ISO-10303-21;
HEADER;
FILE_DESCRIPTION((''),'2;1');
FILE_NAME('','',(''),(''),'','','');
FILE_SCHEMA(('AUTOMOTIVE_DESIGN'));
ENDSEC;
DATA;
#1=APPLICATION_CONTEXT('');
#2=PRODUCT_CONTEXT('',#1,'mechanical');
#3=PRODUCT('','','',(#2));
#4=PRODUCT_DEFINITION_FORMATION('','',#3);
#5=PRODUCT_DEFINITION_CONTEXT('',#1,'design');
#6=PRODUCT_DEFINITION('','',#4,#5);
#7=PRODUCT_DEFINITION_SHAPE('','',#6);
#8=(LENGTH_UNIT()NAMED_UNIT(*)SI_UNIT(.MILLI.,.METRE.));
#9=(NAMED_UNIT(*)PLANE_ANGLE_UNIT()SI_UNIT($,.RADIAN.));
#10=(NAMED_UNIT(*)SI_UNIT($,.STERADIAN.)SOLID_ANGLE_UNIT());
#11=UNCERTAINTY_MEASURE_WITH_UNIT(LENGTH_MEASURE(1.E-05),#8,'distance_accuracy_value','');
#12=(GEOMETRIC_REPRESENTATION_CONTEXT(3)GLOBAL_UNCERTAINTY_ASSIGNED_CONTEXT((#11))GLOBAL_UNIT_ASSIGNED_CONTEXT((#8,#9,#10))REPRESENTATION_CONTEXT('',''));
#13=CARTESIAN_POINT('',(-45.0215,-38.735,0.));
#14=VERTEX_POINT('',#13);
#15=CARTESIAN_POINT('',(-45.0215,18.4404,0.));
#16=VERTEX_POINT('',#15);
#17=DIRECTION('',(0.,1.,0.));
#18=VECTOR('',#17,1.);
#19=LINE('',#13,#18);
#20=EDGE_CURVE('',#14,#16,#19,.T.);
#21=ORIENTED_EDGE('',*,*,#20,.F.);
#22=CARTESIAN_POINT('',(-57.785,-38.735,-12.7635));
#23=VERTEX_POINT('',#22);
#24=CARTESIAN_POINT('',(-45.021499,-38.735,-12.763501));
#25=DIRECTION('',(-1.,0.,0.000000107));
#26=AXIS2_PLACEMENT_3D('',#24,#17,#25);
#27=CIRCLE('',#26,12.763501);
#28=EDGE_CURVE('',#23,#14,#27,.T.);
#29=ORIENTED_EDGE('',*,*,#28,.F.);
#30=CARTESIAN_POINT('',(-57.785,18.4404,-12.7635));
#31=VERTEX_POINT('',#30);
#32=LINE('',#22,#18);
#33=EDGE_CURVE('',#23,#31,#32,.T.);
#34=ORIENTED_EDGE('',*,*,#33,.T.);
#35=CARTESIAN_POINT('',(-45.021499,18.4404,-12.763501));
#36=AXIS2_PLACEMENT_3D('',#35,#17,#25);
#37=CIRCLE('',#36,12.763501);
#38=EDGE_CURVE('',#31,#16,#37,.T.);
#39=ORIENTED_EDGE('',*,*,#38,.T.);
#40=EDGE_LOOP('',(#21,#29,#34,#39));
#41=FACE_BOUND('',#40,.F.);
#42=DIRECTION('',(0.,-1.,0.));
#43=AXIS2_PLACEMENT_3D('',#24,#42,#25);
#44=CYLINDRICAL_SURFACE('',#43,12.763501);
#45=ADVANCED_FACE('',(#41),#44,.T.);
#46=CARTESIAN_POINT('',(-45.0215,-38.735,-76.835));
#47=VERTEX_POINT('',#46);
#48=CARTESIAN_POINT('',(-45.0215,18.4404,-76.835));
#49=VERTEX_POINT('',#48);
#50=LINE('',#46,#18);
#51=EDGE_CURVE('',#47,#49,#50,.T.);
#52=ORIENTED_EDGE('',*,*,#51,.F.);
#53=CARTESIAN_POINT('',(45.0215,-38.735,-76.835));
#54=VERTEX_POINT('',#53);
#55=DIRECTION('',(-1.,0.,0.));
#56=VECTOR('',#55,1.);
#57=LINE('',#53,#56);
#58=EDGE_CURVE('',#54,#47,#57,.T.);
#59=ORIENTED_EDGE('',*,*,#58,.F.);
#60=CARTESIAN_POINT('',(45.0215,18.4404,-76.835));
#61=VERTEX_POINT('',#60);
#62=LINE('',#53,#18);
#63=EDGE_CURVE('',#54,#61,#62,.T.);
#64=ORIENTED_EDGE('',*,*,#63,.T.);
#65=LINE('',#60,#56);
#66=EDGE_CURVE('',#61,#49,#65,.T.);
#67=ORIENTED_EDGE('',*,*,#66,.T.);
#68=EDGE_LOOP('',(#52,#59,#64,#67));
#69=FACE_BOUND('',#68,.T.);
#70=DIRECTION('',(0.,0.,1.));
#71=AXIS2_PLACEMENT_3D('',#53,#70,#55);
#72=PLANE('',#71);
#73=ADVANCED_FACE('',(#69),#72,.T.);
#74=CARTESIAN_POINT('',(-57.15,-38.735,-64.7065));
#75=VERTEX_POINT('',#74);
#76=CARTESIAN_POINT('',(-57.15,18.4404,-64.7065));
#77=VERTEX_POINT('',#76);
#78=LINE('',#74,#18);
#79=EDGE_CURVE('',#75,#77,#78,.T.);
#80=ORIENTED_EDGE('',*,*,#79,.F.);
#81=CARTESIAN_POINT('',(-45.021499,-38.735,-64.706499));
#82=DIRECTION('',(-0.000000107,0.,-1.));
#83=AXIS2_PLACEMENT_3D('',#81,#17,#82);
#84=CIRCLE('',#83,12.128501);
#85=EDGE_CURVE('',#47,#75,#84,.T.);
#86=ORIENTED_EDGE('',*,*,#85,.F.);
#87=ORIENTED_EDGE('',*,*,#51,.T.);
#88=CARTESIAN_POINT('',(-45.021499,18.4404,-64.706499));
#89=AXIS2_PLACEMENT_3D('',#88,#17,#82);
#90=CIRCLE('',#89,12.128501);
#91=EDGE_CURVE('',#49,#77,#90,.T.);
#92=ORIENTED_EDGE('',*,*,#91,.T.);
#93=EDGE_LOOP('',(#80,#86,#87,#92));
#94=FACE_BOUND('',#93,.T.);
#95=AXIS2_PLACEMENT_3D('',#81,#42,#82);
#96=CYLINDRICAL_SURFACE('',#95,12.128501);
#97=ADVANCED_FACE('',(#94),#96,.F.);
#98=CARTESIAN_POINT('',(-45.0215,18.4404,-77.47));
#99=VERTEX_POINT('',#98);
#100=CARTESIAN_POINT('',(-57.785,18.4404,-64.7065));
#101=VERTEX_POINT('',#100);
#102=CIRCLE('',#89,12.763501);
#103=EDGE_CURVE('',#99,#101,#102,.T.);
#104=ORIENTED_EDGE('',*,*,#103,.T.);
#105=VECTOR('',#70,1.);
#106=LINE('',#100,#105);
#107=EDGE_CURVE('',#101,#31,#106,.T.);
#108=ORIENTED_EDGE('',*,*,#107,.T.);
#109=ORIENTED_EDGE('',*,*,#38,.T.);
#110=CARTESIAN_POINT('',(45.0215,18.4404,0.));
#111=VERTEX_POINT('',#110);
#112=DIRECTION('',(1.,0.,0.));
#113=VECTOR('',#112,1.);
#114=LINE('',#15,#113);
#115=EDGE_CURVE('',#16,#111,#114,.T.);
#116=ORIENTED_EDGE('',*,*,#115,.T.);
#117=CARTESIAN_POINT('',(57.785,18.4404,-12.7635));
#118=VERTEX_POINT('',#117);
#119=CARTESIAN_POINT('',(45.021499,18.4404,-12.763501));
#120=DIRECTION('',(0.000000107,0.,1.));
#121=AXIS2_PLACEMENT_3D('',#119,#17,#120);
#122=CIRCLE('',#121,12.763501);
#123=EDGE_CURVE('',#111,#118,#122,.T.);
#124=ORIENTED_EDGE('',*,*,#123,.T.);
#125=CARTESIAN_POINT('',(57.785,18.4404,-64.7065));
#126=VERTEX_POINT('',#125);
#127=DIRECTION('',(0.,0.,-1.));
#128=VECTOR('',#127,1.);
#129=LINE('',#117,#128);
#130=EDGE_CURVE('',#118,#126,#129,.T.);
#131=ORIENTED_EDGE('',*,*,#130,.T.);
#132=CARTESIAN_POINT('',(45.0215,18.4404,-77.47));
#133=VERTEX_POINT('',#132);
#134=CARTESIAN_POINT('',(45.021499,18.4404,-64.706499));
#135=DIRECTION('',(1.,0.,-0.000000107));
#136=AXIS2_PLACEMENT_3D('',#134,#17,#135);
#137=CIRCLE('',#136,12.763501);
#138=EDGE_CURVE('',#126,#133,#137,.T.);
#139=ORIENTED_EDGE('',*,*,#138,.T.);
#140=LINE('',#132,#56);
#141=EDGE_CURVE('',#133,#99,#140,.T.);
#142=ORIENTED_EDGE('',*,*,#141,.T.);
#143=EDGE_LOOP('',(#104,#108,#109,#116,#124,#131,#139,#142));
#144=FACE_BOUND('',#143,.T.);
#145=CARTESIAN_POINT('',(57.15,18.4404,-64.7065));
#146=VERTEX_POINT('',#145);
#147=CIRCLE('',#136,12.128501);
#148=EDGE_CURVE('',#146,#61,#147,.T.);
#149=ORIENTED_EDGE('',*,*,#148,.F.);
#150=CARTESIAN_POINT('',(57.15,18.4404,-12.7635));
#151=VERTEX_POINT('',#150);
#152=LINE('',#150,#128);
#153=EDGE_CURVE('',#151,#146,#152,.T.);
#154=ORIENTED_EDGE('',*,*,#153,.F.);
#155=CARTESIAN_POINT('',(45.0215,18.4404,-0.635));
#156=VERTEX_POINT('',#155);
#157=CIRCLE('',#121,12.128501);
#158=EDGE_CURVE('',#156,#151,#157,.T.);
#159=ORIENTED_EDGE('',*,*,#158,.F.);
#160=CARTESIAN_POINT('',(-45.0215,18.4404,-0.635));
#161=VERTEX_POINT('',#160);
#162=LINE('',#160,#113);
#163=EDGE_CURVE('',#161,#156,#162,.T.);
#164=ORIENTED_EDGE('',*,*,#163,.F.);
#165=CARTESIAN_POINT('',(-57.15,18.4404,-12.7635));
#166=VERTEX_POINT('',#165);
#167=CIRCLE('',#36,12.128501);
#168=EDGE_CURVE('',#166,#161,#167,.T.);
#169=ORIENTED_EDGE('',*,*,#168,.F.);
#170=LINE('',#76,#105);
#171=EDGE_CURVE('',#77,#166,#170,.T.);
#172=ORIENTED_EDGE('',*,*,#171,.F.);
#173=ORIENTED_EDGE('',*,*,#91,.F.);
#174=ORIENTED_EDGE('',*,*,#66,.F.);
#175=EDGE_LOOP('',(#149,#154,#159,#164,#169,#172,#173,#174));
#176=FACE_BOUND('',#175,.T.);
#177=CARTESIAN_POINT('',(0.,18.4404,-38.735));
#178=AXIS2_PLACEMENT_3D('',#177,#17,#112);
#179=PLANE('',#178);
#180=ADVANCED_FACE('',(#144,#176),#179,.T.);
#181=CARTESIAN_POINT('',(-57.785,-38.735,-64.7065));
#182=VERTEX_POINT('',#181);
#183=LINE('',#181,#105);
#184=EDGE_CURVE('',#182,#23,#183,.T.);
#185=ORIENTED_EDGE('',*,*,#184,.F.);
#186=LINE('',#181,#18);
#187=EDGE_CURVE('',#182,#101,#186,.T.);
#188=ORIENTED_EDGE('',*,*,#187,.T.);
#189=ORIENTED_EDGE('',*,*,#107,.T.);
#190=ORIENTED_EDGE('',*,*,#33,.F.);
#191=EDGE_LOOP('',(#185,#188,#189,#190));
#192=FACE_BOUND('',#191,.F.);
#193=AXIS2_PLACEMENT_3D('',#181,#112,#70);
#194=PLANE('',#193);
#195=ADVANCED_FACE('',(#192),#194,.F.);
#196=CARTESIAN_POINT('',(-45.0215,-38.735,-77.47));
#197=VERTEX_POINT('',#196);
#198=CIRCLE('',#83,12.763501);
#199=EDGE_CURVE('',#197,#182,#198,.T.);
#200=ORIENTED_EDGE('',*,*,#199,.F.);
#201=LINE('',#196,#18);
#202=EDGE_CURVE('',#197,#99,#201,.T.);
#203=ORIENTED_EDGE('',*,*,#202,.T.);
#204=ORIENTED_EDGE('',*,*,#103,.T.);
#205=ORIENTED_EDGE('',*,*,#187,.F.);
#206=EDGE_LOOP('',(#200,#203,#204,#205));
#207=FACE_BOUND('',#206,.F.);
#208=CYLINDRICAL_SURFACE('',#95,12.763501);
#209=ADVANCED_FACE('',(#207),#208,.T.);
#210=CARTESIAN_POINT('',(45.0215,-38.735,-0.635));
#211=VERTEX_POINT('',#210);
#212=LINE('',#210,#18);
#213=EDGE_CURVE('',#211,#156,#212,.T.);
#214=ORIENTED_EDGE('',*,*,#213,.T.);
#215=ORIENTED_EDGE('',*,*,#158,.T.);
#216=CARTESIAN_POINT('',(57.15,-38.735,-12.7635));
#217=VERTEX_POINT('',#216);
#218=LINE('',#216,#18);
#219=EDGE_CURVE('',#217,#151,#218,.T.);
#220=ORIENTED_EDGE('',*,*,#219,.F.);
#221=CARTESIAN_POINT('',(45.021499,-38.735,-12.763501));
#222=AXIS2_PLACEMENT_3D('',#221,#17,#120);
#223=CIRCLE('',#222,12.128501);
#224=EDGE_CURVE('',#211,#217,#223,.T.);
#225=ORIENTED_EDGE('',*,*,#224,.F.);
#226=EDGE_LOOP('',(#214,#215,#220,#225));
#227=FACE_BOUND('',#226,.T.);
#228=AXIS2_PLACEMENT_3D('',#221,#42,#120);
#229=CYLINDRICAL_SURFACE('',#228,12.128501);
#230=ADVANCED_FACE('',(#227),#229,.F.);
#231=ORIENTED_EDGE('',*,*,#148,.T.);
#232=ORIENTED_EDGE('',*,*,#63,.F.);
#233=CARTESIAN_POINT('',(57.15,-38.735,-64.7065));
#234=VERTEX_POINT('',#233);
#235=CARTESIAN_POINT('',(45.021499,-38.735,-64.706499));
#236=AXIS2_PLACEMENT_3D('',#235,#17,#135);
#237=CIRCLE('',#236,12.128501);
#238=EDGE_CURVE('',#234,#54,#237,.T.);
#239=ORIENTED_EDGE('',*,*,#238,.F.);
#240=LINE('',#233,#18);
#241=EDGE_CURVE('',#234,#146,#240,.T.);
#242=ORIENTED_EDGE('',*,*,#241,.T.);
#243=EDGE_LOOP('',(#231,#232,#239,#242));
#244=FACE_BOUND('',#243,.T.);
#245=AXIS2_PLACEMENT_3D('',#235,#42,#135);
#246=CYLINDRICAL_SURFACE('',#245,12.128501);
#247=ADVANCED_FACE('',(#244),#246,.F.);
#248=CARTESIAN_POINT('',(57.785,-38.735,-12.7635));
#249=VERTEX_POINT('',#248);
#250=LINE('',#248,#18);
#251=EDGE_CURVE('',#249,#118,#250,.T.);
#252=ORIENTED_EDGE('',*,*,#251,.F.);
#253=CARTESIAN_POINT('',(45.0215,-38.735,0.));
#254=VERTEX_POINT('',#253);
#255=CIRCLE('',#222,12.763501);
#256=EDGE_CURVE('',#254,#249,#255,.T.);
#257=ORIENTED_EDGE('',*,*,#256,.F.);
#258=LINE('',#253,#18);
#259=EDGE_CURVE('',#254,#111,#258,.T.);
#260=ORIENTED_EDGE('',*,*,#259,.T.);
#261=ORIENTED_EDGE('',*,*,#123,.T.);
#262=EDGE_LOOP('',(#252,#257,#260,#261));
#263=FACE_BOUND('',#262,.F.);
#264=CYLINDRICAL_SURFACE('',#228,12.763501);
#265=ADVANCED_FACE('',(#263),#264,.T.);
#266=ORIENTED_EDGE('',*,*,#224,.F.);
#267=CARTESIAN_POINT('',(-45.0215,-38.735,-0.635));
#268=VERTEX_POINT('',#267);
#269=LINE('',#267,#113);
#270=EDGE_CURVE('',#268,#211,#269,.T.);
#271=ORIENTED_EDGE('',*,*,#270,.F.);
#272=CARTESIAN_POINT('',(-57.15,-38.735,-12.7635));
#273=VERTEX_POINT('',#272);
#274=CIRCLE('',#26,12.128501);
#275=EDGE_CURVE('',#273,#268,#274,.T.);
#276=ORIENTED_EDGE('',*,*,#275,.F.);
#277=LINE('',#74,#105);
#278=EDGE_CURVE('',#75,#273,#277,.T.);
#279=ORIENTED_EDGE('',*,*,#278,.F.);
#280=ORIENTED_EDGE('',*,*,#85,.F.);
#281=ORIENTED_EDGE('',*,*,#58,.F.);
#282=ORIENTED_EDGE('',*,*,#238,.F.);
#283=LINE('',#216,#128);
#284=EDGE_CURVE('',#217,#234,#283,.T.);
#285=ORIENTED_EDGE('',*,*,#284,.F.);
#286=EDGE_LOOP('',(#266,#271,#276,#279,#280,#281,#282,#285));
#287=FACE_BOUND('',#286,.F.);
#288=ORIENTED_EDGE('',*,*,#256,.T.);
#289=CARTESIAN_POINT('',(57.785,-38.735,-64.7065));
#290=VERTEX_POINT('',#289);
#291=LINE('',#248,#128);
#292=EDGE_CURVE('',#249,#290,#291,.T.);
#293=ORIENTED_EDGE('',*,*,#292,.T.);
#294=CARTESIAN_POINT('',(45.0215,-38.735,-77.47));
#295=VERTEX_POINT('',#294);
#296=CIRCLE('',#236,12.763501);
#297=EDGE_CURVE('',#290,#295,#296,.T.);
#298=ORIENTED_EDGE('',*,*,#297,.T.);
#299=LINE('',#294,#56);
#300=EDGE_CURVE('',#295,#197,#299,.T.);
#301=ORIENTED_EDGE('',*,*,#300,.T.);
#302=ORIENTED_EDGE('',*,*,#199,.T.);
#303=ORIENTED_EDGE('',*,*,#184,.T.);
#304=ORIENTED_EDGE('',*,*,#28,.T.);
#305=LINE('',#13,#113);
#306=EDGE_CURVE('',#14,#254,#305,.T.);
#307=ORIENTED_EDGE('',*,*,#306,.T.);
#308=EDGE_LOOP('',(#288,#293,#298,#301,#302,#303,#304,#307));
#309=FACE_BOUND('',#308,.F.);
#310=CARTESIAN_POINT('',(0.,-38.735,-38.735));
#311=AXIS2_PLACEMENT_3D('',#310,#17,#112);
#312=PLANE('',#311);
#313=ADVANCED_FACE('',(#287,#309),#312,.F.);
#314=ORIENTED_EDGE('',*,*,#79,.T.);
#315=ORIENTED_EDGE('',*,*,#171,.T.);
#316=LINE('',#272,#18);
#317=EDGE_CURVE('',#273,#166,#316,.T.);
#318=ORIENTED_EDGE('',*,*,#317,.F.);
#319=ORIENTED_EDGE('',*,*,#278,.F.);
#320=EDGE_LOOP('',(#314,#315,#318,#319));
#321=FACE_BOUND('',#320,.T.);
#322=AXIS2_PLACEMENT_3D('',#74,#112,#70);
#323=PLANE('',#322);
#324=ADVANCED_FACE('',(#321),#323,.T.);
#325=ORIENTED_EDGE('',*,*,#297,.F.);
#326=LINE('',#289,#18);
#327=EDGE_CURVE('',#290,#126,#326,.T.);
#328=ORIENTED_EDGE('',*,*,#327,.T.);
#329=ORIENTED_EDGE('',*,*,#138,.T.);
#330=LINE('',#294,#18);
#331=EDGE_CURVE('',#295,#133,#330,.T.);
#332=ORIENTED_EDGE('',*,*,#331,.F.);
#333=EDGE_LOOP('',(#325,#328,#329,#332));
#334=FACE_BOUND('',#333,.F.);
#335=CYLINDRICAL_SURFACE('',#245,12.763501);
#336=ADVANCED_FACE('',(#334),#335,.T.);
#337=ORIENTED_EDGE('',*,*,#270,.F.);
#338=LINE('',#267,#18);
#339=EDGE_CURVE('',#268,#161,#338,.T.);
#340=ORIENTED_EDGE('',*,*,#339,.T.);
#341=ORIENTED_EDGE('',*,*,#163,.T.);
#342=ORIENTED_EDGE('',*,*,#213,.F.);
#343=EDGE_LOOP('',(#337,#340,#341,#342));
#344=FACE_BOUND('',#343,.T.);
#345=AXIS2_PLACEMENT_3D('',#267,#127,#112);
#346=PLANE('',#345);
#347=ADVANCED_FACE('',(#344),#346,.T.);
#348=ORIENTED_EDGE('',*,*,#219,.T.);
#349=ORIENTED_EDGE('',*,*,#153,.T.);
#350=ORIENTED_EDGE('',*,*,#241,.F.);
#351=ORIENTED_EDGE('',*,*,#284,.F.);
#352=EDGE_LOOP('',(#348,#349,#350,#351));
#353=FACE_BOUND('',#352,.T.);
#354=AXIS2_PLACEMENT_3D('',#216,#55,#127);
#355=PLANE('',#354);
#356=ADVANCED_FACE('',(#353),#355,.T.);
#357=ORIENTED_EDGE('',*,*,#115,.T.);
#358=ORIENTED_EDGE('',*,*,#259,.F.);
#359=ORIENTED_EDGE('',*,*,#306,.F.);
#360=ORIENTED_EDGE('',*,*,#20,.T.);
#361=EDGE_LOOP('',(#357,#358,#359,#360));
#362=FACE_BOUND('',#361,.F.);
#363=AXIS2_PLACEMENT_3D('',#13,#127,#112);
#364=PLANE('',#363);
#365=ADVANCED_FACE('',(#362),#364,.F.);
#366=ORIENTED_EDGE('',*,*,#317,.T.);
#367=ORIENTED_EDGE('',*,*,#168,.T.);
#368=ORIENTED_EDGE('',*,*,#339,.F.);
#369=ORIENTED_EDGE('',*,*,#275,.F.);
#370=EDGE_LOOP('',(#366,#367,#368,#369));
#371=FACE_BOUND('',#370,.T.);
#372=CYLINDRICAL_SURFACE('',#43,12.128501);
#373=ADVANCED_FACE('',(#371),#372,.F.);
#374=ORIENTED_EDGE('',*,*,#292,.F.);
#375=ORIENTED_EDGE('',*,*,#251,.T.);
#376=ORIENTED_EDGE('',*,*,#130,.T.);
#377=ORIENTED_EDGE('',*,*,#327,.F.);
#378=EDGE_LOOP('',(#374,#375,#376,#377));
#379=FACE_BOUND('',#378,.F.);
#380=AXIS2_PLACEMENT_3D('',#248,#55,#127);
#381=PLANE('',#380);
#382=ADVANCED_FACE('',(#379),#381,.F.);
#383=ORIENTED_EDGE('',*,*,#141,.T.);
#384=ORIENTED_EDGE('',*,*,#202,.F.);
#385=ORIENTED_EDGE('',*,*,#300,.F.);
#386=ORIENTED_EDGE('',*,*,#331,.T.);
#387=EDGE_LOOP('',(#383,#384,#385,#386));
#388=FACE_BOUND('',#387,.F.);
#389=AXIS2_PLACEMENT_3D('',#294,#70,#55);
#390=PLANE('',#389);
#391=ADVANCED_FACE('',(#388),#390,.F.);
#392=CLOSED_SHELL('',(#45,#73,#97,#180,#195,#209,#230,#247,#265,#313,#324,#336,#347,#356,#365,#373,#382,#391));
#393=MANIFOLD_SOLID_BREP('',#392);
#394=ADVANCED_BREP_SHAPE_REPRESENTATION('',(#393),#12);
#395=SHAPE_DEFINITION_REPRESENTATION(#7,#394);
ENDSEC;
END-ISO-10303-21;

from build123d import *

# Parameters (mm, degrees)
F1_DEPTH = 57.1754
F2_T     = -0.635
F3_ANGLE = 90


with BuildPart() as f1:
    # F0 (on Top) → F1 (new body)
    with BuildSketch(Plane.XY):
        with BuildLine():
            ThreePointArc((57.785, 25.9715), (54.046657, 34.996657), (45.0215, 38.735))
            Line((45.0215, 38.735), (-45.0215, 38.735))
            ThreePointArc((-45.0215, 38.735), (-54.046657, 34.996657), (-57.785, 25.9715))
            Line((-57.785, 25.9715), (-57.785, -25.9715))
            ThreePointArc((-57.785, -25.9715), (-54.046657, -34.996657), (-45.0215, -38.735))
            Line((-45.0215, -38.735), (45.0215, -38.735))
            ThreePointArc((45.0215, -38.735), (54.046657, -34.996657), (57.785, -25.9715))
            Line((57.785, -25.9715), (57.785, 25.9715))
        make_face()
    extrude(amount=F1_DEPTH)

    # F2
    f2_openings = [f1.faces().sort_by_distance(p)[0] for p in [
        (0, 0, 57.1754),
        (0, 0, 0),
    ]]
    offset(amount=F2_T, openings=f2_openings)


with BuildPart() as f1_1:
    # F3: moved
    add(f1.part.rotate(Axis((0, -38.735, 0), (-1, 0, 0)), F3_ANGLE))


solid = f1_1.part
